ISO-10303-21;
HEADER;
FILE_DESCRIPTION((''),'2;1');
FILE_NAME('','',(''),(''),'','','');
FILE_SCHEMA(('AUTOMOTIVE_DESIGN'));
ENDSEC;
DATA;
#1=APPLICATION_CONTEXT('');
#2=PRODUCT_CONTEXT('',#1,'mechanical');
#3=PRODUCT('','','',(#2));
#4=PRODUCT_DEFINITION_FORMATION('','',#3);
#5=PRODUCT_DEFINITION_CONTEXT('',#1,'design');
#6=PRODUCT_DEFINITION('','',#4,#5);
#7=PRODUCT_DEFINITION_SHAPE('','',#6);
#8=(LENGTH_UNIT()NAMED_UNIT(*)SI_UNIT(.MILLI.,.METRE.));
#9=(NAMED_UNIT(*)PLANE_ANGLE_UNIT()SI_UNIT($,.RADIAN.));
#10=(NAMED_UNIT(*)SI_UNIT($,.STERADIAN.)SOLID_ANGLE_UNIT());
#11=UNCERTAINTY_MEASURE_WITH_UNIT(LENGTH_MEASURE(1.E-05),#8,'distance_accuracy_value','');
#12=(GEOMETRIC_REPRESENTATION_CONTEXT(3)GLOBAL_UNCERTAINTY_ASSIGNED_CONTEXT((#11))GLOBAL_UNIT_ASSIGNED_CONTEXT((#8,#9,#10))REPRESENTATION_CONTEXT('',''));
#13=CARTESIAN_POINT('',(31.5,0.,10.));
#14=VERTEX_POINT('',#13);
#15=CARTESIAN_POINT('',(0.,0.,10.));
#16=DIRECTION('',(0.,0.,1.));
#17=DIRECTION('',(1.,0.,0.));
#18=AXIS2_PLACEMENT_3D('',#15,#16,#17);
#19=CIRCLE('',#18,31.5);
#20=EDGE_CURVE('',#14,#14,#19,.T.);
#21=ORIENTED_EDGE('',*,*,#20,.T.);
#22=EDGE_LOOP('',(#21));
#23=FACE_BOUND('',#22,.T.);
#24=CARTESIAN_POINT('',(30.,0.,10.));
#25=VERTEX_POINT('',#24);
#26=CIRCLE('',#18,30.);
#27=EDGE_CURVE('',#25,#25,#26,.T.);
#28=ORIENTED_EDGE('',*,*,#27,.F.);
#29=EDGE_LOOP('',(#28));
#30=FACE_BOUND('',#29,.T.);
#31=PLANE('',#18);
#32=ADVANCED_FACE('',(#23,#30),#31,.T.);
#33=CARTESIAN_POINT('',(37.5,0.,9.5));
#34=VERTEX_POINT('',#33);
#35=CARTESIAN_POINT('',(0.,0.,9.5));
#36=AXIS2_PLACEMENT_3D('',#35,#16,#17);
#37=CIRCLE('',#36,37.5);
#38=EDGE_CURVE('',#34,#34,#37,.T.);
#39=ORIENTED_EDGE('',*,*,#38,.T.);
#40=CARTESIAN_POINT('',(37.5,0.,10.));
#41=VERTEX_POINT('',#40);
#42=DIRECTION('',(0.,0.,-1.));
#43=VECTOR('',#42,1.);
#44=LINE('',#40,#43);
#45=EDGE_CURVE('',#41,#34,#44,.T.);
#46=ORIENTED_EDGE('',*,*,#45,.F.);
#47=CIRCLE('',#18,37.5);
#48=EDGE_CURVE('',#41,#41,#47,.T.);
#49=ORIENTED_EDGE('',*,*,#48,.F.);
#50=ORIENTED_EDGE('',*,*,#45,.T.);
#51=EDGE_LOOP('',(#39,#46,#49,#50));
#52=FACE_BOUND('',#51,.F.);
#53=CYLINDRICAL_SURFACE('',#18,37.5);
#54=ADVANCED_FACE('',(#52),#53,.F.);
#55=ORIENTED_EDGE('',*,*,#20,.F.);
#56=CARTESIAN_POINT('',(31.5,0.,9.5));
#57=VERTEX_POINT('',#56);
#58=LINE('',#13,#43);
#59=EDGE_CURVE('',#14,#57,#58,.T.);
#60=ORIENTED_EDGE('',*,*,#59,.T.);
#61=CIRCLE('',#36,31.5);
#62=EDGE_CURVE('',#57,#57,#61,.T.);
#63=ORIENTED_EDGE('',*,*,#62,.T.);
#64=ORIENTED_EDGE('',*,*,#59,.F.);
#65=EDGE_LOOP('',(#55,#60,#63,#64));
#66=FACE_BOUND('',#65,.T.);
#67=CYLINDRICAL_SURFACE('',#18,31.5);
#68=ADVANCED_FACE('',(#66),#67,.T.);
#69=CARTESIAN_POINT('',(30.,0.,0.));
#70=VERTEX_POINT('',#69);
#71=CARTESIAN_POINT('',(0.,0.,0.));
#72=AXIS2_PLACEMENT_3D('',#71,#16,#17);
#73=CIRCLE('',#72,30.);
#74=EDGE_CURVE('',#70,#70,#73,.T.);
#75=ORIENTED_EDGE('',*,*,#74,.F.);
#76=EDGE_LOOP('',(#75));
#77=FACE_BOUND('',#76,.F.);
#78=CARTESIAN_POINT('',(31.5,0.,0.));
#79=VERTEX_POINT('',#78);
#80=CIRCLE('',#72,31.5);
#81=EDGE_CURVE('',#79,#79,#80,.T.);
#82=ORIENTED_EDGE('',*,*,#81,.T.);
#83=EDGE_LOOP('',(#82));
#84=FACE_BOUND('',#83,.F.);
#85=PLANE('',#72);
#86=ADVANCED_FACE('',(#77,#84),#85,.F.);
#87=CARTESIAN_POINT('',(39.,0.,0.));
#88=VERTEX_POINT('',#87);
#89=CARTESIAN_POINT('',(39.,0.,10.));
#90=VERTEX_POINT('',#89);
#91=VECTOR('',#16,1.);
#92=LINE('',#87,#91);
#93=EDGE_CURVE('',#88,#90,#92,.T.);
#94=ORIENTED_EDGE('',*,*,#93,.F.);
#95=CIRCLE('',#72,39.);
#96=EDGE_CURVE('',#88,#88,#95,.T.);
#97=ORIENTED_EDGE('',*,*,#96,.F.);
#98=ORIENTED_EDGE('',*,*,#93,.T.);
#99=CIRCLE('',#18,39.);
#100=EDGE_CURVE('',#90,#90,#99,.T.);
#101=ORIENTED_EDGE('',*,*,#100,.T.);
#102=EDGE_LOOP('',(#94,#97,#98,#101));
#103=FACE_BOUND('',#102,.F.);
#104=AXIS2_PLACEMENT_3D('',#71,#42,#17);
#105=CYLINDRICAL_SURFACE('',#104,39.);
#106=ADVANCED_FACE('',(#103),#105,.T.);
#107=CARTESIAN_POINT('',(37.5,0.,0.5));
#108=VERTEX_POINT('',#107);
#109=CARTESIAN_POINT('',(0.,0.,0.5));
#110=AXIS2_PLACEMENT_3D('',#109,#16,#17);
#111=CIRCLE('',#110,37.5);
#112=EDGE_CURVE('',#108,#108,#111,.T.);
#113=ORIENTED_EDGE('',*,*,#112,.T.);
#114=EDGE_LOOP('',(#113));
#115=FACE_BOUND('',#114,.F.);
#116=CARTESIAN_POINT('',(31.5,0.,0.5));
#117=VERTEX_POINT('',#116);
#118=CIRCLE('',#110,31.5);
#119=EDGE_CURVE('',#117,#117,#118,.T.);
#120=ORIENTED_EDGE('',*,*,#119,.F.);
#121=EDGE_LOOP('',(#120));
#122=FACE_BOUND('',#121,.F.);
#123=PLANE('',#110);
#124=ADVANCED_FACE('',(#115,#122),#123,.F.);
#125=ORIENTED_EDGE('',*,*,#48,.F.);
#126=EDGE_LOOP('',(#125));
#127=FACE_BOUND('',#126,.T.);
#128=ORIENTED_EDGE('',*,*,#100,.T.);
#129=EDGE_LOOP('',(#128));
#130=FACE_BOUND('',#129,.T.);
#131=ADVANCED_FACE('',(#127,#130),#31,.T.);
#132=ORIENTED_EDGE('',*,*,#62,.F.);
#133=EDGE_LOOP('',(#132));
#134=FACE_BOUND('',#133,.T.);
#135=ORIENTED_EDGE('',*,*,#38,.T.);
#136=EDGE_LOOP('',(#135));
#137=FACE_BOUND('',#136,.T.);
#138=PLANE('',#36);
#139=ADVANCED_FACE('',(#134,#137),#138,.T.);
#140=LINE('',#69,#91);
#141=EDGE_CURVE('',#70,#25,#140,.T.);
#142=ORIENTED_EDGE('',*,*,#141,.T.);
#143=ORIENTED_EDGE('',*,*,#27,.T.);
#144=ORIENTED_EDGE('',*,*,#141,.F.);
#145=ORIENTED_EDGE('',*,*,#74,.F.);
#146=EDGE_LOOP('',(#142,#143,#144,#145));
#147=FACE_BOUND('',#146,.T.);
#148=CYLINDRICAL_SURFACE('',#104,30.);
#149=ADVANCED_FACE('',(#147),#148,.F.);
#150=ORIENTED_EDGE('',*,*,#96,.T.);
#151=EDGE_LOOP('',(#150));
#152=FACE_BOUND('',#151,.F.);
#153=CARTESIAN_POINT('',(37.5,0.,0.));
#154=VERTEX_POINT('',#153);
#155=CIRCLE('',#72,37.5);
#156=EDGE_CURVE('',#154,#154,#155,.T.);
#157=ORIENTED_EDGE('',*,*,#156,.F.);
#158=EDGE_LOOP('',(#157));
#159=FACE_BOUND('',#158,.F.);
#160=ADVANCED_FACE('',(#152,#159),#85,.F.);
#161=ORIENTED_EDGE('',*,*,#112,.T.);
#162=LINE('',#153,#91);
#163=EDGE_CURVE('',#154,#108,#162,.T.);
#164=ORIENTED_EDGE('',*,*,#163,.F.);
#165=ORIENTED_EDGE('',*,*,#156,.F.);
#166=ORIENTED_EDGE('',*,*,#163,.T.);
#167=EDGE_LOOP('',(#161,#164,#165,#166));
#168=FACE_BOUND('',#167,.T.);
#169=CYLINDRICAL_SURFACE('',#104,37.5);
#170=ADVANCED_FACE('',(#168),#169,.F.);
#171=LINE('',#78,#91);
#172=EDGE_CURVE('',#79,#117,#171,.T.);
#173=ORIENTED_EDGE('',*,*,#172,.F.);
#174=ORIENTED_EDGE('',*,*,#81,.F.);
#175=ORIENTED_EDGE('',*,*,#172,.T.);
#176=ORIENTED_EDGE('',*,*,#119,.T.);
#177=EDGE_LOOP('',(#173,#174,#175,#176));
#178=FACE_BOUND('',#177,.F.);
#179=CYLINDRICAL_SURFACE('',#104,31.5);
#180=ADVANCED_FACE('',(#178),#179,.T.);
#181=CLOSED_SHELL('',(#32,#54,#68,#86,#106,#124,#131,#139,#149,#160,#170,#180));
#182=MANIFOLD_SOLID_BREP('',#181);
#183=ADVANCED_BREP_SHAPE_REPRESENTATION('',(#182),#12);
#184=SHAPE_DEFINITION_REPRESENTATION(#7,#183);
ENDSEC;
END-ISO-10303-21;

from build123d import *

# Parameters (mm, degrees)
SKETCH_R        = 39
SKETCH_R_2      = 30
PAD006_DEPTH    = 10
SKETCH008_R     = 37.5
SKETCH008_R_2   = 31.5
POCKET002_DEPTH = 0.5
SKETCH009_R     = 37.5
SKETCH009_R_2   = 31.5
POCKET003_DEPTH = 0.5


with BuildPart() as part:
    # Sketch → Pad006 (new body)
    with BuildSketch(Plane.XY):
        Circle(SKETCH_R)
        Circle(SKETCH_R_2, mode=Mode.SUBTRACT)
    extrude(amount=PAD006_DEPTH)

    # Sketch008 → Pocket002 (cut)
    with BuildSketch(Plane.XY.offset(10)):
        Circle(SKETCH008_R)
        Circle(SKETCH008_R_2, mode=Mode.SUBTRACT)
    extrude(amount=-POCKET002_DEPTH, mode=Mode.SUBTRACT)

    # Sketch009 → Pocket003 (cut)
    with BuildSketch(Plane.XY):
        Circle(SKETCH009_R)
        Circle(SKETCH009_R_2, mode=Mode.SUBTRACT)
    extrude(amount=POCKET003_DEPTH, mode=Mode.SUBTRACT)


solid = part.part
